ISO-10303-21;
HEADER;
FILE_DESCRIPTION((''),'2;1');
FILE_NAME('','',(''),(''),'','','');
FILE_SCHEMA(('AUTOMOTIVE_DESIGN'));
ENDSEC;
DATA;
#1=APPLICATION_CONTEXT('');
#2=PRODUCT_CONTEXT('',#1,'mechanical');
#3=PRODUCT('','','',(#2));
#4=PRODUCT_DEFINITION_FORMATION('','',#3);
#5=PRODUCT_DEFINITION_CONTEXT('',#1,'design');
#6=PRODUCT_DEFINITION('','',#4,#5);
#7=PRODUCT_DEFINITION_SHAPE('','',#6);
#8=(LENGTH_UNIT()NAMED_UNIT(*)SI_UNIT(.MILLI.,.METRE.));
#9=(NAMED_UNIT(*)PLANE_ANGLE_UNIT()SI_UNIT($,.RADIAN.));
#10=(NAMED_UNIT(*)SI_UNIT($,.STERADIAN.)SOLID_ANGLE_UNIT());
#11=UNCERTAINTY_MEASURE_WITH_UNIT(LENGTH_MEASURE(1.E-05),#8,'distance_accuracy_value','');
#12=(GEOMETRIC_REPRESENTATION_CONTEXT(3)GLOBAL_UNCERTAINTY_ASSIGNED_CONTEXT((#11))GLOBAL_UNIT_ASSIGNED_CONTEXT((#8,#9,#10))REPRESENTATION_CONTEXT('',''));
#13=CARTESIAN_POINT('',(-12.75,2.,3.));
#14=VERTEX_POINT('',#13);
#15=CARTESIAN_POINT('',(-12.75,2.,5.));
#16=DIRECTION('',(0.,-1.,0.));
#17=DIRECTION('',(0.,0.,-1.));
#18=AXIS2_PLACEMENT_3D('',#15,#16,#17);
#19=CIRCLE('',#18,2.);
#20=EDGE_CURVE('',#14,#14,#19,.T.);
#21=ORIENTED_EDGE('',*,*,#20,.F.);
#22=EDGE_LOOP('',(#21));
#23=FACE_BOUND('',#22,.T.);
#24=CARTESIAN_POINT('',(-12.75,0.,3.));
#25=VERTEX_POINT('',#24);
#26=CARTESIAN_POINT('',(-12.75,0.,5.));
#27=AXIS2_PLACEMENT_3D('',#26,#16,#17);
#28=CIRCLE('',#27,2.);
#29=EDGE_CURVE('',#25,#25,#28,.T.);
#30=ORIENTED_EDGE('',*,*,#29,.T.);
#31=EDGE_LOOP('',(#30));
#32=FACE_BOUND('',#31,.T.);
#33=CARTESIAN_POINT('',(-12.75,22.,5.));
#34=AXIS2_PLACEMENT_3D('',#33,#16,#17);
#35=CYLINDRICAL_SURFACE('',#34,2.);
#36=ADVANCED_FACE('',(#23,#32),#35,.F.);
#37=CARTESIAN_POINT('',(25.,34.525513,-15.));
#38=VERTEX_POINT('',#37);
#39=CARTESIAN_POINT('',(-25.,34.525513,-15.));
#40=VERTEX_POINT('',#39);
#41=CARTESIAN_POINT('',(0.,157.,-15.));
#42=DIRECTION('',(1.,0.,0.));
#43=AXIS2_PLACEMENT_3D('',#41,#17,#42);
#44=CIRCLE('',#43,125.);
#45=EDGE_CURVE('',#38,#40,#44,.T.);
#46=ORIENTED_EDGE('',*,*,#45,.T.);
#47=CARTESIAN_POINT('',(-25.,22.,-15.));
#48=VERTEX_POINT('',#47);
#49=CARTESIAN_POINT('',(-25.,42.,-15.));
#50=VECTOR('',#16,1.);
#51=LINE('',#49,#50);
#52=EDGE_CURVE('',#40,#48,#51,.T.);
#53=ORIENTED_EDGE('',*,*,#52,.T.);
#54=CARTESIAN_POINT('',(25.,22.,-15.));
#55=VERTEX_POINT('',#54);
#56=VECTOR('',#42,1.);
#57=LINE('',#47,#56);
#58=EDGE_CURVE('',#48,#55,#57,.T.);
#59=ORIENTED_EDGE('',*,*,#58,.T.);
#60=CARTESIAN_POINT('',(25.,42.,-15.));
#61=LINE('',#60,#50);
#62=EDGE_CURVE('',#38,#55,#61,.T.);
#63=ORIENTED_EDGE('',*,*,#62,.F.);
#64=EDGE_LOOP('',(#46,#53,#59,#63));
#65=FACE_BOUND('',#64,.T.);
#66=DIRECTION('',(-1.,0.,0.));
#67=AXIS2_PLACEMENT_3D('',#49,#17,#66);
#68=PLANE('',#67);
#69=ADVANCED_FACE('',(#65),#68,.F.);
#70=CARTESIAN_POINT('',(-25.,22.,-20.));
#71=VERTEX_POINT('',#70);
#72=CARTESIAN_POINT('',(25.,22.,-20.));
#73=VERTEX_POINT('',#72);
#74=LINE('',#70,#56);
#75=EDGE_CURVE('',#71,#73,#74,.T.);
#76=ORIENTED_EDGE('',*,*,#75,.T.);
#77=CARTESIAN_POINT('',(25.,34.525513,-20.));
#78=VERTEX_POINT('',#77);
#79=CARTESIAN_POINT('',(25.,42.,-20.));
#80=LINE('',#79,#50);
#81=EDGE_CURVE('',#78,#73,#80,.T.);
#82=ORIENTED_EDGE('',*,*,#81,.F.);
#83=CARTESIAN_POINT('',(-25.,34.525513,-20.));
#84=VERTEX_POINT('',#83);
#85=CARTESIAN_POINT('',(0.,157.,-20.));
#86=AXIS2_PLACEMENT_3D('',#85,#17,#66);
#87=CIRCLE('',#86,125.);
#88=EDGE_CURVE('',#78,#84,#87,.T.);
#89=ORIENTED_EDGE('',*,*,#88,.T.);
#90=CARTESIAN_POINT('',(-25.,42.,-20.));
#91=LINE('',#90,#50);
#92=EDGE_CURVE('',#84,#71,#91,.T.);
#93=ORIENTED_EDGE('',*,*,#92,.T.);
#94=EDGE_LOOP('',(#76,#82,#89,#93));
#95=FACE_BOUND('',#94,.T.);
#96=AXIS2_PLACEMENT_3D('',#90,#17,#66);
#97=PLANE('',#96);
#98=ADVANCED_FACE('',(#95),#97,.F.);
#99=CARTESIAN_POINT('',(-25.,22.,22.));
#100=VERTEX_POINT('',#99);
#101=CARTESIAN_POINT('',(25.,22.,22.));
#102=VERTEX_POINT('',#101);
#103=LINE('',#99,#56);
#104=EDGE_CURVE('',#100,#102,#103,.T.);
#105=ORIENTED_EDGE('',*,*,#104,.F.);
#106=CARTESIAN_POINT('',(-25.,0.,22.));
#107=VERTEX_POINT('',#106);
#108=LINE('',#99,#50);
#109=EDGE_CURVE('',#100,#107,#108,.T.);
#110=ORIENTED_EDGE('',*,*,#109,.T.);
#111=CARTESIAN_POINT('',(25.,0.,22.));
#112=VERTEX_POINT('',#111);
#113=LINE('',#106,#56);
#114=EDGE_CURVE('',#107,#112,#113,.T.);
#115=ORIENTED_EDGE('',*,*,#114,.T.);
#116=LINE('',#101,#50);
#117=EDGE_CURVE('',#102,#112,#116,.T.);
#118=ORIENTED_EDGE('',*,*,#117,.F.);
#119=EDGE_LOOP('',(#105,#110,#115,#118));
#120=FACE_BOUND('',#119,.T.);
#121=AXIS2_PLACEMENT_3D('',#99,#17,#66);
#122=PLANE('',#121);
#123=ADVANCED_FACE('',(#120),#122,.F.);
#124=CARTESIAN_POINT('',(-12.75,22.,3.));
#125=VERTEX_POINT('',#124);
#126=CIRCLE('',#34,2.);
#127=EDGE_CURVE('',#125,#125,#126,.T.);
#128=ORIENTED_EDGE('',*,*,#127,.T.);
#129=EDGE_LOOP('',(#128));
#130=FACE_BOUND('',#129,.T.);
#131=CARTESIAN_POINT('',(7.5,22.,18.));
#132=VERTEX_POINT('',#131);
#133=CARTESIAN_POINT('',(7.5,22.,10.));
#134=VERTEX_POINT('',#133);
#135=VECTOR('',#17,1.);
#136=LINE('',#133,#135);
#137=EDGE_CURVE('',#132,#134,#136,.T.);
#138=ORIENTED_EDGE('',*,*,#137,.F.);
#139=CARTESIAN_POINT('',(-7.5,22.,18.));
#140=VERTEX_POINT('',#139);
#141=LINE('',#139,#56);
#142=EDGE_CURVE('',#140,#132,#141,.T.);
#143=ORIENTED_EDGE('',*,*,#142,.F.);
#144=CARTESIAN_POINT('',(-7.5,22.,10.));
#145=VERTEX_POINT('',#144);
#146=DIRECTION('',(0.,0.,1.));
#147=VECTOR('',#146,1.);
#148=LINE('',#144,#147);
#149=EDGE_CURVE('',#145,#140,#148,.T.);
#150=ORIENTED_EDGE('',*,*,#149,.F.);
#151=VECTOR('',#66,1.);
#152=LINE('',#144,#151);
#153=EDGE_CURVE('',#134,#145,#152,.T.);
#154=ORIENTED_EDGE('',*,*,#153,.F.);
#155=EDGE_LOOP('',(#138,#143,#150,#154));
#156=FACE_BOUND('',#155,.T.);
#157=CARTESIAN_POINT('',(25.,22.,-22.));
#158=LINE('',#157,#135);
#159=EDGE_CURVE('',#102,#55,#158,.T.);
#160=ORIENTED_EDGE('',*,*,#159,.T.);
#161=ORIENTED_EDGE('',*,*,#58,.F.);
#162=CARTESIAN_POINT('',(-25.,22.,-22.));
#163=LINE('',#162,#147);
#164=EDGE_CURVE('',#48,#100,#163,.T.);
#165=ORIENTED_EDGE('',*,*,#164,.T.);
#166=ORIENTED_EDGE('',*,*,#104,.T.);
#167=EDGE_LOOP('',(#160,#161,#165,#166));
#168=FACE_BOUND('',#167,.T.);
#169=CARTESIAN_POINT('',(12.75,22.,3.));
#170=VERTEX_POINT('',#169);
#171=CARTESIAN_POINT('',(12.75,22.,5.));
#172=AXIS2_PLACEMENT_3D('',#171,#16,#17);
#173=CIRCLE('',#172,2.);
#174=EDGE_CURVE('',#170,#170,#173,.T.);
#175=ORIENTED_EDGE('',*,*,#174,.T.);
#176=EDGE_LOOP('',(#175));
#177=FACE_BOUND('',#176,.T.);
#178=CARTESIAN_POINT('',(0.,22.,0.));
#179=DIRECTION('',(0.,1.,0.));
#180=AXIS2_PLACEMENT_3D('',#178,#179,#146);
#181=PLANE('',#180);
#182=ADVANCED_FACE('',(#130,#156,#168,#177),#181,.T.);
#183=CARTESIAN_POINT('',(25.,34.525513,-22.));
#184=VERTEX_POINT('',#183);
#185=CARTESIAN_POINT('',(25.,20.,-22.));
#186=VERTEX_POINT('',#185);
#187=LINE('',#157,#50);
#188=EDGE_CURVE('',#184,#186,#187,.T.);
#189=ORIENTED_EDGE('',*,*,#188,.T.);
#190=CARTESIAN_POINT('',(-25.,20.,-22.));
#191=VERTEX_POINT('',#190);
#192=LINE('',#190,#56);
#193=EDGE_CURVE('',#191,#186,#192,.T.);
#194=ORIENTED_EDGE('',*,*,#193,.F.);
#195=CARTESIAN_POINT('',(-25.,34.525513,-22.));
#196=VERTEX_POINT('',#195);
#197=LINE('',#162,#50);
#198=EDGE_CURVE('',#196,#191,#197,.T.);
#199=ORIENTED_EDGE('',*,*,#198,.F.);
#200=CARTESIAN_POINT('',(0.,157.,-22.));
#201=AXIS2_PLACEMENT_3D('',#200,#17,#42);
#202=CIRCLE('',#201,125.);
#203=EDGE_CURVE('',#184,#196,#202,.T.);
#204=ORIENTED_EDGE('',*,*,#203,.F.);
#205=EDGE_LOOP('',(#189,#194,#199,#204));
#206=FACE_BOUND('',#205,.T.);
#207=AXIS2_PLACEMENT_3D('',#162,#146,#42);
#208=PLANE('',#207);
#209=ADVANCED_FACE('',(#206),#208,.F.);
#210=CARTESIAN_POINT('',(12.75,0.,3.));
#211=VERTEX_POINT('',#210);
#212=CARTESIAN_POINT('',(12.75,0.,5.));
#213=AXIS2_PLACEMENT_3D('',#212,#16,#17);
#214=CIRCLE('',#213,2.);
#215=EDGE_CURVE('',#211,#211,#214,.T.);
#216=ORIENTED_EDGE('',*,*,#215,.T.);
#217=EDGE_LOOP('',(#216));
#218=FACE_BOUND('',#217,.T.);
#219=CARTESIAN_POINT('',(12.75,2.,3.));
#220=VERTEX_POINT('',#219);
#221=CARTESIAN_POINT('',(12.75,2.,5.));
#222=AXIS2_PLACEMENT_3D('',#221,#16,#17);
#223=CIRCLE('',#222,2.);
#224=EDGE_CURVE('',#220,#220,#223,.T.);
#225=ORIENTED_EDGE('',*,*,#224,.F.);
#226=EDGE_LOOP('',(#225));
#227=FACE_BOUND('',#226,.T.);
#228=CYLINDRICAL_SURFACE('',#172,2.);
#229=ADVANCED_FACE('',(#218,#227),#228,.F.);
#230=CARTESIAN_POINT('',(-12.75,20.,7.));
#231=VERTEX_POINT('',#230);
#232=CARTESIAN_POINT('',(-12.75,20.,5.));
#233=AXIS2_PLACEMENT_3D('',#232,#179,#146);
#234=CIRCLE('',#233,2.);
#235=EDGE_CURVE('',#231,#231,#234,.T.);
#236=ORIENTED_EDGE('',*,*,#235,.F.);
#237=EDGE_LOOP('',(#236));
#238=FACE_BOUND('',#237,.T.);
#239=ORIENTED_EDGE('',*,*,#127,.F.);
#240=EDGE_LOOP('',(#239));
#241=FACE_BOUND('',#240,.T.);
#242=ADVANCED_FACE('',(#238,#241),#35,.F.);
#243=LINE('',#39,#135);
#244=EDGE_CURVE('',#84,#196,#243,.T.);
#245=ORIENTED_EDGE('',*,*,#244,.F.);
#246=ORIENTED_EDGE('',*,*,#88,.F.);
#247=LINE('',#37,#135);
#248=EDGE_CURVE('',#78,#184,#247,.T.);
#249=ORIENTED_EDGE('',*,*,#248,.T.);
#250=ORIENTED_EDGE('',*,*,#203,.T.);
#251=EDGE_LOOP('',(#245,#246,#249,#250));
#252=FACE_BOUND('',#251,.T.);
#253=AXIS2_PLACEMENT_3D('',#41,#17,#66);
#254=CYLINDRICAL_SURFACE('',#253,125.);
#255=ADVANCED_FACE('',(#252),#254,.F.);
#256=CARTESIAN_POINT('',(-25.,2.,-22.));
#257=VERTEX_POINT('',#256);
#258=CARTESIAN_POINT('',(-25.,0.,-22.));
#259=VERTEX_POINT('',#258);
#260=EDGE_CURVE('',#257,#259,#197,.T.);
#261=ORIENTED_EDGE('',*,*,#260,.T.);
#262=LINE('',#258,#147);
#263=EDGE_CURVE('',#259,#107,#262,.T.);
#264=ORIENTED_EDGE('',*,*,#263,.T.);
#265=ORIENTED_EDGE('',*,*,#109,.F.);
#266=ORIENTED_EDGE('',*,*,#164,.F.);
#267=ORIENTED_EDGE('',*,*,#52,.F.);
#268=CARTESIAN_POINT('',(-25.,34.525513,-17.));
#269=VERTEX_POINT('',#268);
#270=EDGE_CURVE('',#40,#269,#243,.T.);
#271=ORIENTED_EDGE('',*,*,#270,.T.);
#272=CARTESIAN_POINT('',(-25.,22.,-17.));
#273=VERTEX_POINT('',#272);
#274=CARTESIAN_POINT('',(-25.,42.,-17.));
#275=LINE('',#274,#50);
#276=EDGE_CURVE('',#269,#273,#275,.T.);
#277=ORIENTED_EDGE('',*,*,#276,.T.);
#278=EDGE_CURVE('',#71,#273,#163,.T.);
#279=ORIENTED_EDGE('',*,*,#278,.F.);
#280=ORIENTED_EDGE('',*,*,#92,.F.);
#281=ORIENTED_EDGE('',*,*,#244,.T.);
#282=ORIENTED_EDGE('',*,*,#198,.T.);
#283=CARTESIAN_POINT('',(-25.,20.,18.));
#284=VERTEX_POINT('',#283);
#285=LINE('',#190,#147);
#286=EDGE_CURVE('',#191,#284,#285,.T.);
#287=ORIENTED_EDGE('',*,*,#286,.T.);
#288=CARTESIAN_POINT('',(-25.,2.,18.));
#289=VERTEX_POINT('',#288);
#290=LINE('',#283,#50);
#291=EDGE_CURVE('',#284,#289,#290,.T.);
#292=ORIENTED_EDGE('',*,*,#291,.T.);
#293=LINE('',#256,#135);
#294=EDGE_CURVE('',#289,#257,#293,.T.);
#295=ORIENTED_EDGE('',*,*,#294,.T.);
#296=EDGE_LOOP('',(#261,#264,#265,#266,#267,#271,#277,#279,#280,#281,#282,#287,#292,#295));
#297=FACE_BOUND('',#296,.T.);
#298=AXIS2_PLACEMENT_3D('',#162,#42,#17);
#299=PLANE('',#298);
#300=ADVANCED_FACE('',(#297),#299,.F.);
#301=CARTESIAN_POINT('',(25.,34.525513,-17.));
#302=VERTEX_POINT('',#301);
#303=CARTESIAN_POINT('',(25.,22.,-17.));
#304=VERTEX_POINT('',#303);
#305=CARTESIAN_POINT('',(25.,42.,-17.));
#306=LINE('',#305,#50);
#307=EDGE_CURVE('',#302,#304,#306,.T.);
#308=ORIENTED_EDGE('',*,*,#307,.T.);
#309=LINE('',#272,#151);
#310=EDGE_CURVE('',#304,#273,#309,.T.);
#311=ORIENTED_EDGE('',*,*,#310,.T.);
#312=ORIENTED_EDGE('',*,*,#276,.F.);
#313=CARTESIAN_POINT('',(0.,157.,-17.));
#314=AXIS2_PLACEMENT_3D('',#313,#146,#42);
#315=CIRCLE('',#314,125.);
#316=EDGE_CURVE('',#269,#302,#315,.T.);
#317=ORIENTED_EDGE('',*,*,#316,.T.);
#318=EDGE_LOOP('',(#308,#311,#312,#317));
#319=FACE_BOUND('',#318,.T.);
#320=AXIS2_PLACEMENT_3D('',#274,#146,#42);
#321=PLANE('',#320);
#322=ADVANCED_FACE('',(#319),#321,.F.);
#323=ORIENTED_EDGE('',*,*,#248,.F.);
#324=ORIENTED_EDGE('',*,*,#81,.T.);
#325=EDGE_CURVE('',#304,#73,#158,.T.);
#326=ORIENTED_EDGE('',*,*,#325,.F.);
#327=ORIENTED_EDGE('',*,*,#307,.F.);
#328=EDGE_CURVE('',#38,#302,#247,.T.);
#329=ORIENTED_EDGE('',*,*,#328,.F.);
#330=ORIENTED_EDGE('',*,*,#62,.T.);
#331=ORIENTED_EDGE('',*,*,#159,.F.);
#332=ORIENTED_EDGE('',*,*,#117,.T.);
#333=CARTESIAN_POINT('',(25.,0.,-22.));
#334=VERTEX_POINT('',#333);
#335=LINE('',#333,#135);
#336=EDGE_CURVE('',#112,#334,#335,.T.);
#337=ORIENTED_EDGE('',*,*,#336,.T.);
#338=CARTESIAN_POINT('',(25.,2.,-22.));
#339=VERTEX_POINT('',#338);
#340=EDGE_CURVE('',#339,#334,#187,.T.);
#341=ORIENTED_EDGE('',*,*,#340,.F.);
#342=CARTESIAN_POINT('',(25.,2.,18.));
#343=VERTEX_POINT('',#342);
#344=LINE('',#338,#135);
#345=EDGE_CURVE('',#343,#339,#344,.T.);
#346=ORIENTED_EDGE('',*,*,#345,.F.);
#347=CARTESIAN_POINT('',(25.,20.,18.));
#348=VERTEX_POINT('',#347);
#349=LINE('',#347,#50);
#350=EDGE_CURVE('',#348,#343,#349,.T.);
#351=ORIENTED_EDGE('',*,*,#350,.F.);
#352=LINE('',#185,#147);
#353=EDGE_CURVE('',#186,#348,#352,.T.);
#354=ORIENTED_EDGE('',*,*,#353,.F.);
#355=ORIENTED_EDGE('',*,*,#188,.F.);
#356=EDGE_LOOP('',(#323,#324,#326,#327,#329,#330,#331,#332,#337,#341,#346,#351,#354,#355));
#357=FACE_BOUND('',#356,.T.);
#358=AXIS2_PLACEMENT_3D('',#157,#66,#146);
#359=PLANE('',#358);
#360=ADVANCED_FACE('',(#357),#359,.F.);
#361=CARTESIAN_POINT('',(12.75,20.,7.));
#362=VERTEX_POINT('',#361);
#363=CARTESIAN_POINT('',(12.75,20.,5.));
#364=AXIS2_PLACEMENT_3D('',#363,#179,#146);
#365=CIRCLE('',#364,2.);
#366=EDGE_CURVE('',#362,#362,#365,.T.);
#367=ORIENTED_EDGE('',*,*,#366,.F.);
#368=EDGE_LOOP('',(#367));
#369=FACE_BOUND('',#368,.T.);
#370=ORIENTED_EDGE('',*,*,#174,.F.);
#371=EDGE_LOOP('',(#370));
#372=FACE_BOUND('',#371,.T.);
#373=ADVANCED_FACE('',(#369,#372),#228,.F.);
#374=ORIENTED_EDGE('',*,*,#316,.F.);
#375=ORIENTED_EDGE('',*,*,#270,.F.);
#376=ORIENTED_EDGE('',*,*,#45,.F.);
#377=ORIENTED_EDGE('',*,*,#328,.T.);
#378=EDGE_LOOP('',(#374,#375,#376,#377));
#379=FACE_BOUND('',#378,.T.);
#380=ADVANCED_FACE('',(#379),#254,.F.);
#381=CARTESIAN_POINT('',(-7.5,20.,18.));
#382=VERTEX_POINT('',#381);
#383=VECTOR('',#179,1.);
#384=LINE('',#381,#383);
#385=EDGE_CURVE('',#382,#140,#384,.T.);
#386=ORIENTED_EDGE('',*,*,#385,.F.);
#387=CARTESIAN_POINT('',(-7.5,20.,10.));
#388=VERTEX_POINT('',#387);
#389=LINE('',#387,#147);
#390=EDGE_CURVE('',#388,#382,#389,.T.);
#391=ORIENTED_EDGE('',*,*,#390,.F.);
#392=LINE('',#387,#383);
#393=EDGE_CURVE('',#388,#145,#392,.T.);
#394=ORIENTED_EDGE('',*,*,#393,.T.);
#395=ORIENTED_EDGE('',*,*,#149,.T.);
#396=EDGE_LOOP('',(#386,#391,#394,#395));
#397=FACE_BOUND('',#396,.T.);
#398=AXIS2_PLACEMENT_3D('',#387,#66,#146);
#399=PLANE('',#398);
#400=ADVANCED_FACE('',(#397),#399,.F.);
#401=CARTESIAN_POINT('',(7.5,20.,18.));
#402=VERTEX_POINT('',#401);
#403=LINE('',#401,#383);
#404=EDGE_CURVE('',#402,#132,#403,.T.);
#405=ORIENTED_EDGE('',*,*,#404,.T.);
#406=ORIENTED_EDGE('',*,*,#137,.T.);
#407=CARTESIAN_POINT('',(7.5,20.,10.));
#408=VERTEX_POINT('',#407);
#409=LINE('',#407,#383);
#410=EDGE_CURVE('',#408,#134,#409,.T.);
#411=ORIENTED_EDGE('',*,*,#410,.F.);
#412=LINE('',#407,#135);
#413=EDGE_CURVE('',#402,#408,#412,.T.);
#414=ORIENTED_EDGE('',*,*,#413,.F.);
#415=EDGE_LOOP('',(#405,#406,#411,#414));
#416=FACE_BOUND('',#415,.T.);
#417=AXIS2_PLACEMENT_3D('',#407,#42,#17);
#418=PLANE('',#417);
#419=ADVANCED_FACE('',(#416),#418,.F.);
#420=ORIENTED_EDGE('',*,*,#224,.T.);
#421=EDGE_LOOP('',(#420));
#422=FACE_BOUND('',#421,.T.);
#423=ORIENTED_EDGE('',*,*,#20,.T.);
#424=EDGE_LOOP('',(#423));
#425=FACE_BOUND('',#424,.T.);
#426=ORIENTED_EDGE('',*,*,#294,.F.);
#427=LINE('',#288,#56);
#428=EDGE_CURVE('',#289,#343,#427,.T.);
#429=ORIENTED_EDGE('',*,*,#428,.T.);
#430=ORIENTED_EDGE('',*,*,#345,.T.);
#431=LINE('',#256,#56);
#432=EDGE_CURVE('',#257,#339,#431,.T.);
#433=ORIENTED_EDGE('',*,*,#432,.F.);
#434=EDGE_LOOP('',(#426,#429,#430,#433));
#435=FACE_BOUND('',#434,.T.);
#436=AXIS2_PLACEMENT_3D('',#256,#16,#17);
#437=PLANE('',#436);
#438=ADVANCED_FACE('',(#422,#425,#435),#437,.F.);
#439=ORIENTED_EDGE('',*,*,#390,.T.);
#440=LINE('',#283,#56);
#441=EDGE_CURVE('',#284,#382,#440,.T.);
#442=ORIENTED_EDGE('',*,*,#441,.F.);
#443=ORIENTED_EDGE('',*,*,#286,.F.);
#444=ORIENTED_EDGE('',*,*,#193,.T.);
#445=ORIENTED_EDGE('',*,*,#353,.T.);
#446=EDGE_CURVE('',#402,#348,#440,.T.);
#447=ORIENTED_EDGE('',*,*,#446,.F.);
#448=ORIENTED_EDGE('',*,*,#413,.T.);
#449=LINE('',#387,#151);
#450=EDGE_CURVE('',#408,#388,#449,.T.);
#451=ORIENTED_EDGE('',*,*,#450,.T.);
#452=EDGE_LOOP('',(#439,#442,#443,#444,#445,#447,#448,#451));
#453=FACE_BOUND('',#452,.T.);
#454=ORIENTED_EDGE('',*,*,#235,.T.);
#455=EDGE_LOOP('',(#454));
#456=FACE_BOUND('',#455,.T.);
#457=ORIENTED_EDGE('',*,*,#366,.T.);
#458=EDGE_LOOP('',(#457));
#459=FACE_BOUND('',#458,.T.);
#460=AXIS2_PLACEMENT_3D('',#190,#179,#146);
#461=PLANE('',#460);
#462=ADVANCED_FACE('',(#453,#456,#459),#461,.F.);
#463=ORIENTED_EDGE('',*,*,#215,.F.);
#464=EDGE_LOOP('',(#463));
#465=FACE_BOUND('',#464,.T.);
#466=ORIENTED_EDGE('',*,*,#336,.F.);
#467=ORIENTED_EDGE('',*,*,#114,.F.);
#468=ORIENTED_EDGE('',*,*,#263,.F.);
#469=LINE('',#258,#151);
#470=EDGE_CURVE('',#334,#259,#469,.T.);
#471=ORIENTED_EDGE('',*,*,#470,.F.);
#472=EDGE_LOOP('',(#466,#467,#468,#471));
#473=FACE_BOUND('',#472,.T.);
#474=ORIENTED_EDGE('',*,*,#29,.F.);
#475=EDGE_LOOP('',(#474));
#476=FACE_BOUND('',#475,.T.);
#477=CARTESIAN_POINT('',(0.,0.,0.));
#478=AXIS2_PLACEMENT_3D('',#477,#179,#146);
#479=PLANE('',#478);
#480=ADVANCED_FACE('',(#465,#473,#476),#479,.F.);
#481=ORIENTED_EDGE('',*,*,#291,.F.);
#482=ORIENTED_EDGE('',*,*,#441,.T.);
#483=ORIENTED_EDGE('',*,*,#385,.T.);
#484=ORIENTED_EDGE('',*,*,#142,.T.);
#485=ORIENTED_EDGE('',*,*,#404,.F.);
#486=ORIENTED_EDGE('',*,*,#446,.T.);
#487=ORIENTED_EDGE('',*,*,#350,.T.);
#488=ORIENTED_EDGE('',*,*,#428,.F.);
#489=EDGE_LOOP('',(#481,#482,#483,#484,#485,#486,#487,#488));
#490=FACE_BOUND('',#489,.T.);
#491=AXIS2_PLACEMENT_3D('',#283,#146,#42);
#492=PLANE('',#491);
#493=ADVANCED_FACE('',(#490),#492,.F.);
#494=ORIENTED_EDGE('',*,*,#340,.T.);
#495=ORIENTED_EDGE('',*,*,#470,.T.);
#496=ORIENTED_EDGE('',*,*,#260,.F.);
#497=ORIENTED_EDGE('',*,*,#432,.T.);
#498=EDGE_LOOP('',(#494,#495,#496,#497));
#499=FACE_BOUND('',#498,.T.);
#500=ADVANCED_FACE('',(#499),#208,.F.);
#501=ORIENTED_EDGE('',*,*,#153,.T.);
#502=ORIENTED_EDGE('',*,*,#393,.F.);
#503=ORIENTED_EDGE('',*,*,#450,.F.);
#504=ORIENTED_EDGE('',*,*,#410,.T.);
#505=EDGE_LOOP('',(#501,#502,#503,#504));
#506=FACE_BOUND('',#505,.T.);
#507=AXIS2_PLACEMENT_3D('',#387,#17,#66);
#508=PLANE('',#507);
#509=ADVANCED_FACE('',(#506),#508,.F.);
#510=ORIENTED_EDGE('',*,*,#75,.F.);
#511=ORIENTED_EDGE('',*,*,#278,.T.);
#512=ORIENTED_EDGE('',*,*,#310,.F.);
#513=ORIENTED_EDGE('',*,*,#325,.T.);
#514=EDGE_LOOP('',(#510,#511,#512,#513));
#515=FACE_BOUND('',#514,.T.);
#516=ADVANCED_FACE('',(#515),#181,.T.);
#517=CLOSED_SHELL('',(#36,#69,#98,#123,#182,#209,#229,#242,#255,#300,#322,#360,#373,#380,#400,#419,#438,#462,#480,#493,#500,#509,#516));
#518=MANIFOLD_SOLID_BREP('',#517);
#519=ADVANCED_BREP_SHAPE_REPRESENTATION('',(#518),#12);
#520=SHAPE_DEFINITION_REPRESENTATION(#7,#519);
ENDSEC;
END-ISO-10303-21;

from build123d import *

# Parameters (mm, degrees)
SKETCH_1_W          = 50
SKETCH_1_H          = 44
EXTRUDE_1_DEPTH     = 22
SKETCH_2_W          = 50
SKETCH_2_H          = 2
EXTRUDE_2_DEPTH     = 20
SKETCH_3_W          = 40
SKETCH_3_H          = 18
CUT_EXTRUDE_1_DEPTH = 50
SKETCH_4_R          = 2
CUT_EXTRUDE_2_DEPTH = 22
SKETCH_5_W          = 15
SKETCH_5_H          = 8
CUT_EXTRUDE_3_DEPTH = 2
CUT_EXTRUDE_4_DEPTH = 7


with BuildPart() as part:
    # 스케치1 → 보스-돌출1 (new body)
    with BuildSketch(Plane(origin=(0, 0, 0), x_dir=(1, 0, 0), z_dir=(0, 1, 0))):
        Rectangle(SKETCH_1_W, SKETCH_1_H)
    extrude(amount=EXTRUDE_1_DEPTH)

    # 스케치2 → 보스-돌출2 (add)
    with BuildSketch(Plane(origin=(0, 22, 0), x_dir=(1, 0, 0), z_dir=(0, 1, 0))):
        with Locations((0, 21)):
            Rectangle(SKETCH_2_W, SKETCH_2_H)
        with Locations((0, 16)):
            Rectangle(SKETCH_2_W, SKETCH_2_H)
    extrude(amount=EXTRUDE_2_DEPTH)

    # 스케치3 → 컷-돌출1 (cut)
    with BuildSketch(Plane(origin=(25, 0, 0), x_dir=(0, 0, -1), z_dir=(1, 0, 0))):
        with Locations((2, 11)):
            Rectangle(SKETCH_3_W, SKETCH_3_H)
    extrude(amount=-CUT_EXTRUDE_1_DEPTH, mode=Mode.SUBTRACT)

    # 스케치4 → 컷-돌출2 (cut)
    with BuildSketch(Plane.XZ):
        with Locations((12.75, 5)):
            Circle(SKETCH_4_R)
        with Locations((-12.75, 5)):
            Circle(SKETCH_4_R)
    extrude(amount=-CUT_EXTRUDE_2_DEPTH, mode=Mode.SUBTRACT)

    # 스케치5 → 컷-돌출3 (cut)
    with BuildSketch(Plane(origin=(0, 22, 0), x_dir=(1, 0, 0), z_dir=(0, 1, 0))):
        with Locations((0, -14)):
            Rectangle(SKETCH_5_W, SKETCH_5_H)
    extrude(amount=-CUT_EXTRUDE_3_DEPTH, mode=Mode.SUBTRACT)

    # 스케치7 → 컷-돌출4 (cut)
    with BuildSketch(Plane(origin=(0, 0, -22), x_dir=(-1, 0, 0), z_dir=(0, 0, -1))):
        with BuildLine():
            Line((25, 34.525512861), (25, 42))
            Line((25, 42), (-25, 42))
            Line((-25, 42), (-25, 34.525512861))
            ThreePointArc((-25, 34.525512861), (0, 32), (25, 34.525512861))
        make_face()
    extrude(amount=-CUT_EXTRUDE_4_DEPTH, mode=Mode.SUBTRACT)


solid = part.part
